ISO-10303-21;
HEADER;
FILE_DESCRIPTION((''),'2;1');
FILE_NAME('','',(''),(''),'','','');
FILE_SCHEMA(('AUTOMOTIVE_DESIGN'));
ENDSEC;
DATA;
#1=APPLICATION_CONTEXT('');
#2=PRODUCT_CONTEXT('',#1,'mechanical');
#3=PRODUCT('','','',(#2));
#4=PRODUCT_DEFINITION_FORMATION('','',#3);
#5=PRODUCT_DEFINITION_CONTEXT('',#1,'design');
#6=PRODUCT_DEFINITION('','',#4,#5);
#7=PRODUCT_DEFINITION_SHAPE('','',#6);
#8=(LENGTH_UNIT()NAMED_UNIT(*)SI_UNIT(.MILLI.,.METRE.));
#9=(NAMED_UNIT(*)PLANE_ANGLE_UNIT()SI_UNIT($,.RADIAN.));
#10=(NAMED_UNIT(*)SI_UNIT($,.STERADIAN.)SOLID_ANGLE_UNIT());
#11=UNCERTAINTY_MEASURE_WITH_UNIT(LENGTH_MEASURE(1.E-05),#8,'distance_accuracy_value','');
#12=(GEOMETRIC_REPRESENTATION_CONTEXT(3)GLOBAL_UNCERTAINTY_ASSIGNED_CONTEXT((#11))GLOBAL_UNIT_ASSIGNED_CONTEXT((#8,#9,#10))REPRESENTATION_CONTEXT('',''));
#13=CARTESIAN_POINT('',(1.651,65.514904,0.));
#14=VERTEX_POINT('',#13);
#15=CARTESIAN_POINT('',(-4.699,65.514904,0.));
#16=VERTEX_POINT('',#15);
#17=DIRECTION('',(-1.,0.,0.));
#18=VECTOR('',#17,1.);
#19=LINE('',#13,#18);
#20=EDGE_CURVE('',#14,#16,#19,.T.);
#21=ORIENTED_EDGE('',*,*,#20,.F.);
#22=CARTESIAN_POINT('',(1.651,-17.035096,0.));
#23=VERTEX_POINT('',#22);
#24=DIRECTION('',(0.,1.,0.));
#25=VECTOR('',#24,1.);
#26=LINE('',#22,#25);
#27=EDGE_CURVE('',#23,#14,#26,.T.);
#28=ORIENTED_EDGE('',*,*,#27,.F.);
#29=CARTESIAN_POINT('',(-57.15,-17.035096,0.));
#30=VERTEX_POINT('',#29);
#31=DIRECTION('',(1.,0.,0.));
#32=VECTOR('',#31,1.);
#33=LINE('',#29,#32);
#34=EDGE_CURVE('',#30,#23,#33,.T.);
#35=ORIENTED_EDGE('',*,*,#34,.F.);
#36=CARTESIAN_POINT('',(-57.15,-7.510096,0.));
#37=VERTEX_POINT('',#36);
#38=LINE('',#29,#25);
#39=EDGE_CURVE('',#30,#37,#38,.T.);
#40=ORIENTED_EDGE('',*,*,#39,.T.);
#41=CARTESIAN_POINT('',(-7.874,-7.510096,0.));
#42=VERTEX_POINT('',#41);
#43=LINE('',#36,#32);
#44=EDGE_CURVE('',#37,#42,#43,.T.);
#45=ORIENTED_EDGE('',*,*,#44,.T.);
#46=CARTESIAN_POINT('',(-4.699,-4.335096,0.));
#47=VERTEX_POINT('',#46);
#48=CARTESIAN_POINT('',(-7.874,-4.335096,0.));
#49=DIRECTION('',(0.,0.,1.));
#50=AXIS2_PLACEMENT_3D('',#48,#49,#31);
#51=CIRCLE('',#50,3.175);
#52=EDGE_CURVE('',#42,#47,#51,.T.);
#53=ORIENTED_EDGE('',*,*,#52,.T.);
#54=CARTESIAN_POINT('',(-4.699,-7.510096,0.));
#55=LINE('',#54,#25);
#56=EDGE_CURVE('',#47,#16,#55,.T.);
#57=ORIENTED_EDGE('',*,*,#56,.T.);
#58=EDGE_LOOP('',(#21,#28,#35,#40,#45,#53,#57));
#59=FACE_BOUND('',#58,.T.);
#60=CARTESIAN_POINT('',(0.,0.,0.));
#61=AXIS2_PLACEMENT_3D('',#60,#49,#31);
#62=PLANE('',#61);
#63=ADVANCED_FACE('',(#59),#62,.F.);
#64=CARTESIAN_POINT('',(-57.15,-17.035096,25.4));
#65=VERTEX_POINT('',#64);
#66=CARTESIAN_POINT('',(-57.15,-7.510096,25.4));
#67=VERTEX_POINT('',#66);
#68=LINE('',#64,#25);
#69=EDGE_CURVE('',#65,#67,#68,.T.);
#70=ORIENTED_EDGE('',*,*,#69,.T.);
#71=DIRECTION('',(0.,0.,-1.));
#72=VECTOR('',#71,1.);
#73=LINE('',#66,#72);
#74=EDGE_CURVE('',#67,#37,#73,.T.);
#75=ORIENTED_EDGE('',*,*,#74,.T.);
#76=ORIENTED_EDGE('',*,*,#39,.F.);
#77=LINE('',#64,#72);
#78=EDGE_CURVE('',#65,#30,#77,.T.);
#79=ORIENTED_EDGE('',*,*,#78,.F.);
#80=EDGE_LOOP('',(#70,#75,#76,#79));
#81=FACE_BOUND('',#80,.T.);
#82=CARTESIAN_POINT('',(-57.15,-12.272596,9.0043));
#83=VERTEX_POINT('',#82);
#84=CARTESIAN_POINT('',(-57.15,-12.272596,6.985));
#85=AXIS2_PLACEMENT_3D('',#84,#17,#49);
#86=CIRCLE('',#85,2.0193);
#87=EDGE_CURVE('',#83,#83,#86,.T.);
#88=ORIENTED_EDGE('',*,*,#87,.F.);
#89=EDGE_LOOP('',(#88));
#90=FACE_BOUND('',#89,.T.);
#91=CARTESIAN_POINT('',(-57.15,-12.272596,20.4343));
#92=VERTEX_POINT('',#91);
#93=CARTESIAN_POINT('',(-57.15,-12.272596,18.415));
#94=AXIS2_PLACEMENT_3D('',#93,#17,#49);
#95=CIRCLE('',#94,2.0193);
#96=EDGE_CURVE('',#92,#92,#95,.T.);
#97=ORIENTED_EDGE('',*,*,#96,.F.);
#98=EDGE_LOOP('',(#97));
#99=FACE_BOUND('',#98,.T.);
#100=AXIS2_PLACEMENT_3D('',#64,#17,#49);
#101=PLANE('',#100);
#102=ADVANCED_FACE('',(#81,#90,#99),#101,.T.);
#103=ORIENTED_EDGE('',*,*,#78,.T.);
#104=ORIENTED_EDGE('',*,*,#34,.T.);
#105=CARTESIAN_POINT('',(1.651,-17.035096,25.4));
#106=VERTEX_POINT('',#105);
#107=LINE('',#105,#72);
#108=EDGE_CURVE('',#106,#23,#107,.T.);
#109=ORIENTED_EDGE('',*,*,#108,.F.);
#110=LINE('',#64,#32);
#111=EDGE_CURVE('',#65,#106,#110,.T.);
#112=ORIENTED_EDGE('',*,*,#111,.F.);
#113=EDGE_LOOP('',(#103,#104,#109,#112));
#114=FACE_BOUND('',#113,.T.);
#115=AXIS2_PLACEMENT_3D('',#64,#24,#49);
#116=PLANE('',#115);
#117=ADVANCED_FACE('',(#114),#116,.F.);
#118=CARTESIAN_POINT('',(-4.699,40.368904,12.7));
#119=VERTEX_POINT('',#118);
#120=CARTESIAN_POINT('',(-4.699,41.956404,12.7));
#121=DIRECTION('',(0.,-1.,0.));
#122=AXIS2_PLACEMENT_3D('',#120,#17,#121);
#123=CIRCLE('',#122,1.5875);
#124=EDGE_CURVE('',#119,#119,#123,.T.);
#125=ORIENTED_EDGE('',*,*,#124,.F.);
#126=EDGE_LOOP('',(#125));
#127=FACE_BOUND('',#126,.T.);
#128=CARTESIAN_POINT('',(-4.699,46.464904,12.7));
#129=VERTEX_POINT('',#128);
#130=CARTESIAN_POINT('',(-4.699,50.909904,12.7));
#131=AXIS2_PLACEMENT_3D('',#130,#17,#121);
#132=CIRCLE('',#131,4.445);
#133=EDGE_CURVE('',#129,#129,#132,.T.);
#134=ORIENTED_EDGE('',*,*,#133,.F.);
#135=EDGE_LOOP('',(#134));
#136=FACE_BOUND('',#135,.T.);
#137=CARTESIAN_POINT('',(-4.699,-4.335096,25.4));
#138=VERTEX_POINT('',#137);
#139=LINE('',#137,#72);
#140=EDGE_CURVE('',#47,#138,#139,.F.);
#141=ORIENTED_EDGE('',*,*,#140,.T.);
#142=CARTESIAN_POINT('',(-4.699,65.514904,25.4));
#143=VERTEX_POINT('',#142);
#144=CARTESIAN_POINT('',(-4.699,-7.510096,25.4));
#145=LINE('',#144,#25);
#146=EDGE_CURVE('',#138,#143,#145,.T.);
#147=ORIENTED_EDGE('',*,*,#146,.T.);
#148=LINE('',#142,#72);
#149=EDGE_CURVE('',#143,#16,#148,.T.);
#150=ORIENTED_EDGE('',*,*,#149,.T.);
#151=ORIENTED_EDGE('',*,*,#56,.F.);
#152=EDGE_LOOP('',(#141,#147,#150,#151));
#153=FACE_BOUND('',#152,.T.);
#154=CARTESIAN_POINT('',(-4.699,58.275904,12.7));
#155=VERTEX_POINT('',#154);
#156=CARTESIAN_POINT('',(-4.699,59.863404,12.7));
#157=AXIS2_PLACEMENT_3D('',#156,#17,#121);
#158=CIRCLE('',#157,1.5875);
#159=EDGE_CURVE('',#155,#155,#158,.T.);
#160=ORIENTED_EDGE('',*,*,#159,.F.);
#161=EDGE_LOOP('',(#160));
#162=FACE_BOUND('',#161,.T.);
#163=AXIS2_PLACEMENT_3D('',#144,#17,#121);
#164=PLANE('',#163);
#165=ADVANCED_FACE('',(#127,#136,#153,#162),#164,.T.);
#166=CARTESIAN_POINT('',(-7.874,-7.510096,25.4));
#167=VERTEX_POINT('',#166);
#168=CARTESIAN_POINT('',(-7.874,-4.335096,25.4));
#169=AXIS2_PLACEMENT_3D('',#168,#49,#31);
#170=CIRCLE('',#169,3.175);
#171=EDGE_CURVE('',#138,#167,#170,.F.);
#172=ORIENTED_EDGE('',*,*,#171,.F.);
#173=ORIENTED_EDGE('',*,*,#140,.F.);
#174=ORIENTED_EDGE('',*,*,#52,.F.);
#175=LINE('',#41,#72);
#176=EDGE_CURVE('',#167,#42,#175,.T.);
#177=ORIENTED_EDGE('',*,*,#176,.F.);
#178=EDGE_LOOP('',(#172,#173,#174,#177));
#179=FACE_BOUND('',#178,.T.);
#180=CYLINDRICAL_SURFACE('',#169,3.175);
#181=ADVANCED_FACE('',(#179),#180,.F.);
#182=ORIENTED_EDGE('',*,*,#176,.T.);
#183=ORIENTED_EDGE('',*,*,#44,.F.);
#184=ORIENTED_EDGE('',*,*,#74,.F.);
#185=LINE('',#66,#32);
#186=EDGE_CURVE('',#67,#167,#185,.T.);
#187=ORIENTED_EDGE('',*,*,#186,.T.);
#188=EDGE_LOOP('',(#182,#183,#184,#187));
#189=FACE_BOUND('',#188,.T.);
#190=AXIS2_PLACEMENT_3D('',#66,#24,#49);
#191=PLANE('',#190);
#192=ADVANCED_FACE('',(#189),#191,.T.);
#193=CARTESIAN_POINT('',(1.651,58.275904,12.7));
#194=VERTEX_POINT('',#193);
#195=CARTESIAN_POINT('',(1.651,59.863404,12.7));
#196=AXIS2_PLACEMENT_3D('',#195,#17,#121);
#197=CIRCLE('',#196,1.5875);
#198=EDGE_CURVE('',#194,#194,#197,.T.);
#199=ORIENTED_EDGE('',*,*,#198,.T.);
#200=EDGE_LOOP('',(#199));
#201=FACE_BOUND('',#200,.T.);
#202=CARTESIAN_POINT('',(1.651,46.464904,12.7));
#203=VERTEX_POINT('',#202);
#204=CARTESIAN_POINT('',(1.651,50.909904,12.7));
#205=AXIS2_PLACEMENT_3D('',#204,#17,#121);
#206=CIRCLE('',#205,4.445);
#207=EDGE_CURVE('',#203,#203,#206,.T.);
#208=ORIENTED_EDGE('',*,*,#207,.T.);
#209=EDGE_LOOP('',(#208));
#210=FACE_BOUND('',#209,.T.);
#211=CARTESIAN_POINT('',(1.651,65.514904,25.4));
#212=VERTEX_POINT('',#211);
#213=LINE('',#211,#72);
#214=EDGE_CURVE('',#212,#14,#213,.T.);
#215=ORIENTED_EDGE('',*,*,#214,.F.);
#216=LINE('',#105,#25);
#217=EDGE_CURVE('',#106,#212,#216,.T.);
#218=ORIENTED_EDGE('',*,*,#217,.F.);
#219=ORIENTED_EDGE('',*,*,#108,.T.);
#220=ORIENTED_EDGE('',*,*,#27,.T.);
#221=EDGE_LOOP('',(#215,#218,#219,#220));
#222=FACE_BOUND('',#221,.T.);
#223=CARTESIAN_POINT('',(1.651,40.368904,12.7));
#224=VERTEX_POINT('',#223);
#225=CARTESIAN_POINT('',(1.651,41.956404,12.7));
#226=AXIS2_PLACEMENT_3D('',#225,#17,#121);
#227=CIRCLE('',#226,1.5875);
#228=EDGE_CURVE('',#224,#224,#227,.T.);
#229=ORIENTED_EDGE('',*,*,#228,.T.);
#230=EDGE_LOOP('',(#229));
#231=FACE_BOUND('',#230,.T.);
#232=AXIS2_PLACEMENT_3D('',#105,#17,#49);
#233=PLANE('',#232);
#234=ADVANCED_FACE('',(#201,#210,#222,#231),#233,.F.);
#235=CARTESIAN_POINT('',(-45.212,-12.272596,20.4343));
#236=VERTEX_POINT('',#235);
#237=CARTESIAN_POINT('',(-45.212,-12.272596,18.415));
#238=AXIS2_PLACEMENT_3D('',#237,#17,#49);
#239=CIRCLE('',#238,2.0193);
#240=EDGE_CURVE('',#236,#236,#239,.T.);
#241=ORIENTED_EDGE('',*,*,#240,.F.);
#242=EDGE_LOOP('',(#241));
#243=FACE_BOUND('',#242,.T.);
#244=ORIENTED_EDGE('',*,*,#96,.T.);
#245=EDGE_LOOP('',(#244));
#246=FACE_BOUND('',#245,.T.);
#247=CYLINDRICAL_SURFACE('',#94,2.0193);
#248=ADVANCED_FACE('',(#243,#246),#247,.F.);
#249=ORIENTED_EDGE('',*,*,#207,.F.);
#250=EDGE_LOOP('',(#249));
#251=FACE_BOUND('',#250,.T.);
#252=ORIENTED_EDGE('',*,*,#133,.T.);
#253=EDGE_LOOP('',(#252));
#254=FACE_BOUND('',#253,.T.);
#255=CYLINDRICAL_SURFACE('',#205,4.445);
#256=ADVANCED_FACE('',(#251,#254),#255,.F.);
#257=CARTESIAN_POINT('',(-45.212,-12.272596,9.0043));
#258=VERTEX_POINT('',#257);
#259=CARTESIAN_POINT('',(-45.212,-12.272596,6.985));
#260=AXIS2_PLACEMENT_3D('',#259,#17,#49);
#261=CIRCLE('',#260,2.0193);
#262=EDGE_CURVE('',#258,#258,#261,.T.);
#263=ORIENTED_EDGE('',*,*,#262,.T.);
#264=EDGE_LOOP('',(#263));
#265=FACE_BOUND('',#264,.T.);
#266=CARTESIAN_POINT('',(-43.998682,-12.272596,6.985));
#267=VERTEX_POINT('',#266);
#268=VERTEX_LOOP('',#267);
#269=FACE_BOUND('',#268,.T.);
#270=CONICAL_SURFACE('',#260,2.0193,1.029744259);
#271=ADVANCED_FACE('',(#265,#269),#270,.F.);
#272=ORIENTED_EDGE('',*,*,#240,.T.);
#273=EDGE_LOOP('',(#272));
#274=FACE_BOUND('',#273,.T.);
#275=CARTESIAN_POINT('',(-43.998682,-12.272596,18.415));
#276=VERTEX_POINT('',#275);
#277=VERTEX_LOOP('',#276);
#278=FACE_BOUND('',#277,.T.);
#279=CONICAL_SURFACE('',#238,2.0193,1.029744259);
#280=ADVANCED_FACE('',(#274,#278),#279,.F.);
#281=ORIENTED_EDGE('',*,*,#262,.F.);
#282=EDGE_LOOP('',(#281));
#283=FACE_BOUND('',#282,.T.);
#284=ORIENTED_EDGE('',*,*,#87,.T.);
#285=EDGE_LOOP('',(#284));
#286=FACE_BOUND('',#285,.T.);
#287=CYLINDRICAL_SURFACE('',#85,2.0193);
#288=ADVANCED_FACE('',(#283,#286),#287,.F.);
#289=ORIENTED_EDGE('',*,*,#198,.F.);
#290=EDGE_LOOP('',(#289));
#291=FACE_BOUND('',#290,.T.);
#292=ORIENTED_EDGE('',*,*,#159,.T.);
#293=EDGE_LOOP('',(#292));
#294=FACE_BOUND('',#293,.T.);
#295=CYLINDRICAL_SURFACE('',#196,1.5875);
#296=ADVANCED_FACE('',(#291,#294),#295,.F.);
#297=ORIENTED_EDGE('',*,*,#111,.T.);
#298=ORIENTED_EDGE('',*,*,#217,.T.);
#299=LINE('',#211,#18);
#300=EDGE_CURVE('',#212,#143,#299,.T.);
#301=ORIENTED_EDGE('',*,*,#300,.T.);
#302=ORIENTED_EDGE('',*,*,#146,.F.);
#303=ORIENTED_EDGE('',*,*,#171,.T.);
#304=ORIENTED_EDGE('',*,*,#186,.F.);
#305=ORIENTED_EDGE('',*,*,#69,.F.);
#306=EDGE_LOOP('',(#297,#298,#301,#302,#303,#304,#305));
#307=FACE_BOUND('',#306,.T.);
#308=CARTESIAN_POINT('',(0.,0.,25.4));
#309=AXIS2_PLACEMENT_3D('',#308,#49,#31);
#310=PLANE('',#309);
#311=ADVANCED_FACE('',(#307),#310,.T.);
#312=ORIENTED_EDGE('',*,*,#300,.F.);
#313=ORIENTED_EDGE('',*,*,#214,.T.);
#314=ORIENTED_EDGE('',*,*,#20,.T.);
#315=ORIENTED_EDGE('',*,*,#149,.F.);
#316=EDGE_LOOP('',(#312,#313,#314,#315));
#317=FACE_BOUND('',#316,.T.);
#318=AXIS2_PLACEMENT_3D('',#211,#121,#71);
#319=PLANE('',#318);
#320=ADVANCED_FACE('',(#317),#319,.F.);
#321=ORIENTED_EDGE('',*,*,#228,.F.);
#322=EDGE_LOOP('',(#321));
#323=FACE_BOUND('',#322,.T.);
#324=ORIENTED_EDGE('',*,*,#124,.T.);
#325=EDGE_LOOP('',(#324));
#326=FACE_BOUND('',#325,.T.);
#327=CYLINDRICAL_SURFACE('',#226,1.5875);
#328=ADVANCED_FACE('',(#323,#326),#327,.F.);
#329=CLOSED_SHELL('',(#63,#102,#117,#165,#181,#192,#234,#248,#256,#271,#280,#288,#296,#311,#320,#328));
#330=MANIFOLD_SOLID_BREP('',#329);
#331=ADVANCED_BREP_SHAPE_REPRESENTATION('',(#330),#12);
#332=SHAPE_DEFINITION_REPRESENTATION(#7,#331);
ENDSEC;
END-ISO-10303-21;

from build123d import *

# Parameters (mm, degrees)
BOSS_EXTRUDE1_DEPTH        = 25.4
SKETCH2_R                  = 4.445
SKETCH2_R_2                = 1.5875
CUT_EXTRUDE1_DEPTH         = 88.683921143
F_10_32_TAPPED_HOLE1_D     = 4.0386
F_10_32_TAPPED_HOLE1_DEPTH = 11.938
F_10_32_TAPPED_HOLE1_TIP   = 1.213317848
FILLET1_R                  = 3.175


with BuildPart() as part:
    # Sketch1 → Boss-Extrude1 (new body)
    with BuildSketch(Plane.XY):
        Polygon((-57.15, -17.035096154), (1.651, -17.035096154), (1.651, 65.514903846), (-4.699, 65.514903846), (-4.699, -7.510096154), (-57.15, -7.510096154), align=None)
    extrude(amount=BOSS_EXTRUDE1_DEPTH)

    # Sketch2 → Cut-Extrude1 (cut, through all)
    with BuildSketch(Plane.ZY.offset(4.699)):
        with Locations(Location((12.7, 50.909903846, 0), (0, 0, 270))):
            Circle(SKETCH2_R)
        with Locations(Location((12.7, 59.863403846, 0), (0, 0, 270))):
            Circle(SKETCH2_R_2)
        with Locations(Location((12.7, 41.956403846, 0), (0, 0, 270))):
            Circle(SKETCH2_R_2)
    extrude(amount=-CUT_EXTRUDE1_DEPTH, mode=Mode.SUBTRACT)

    # #10-32 Tapped Hole1
    with Locations(Plane.ZY.offset(57.15)):
        with Locations((6.985, -12.272596154), (18.415, -12.272596154)):
            Hole(F_10_32_TAPPED_HOLE1_D / 2, depth=F_10_32_TAPPED_HOLE1_DEPTH)
            with Locations((0, 0, -(F_10_32_TAPPED_HOLE1_DEPTH + F_10_32_TAPPED_HOLE1_TIP / 2))):  # 118° drill point
                Cone(0, F_10_32_TAPPED_HOLE1_D / 2, F_10_32_TAPPED_HOLE1_TIP, mode=Mode.SUBTRACT)

    # Fillet1
    fillet1_edges = [part.edges().sort_by_distance(p)[0] for p in [
        (-4.699, -7.510096154, 12.7),
    ]]
    fillet(fillet1_edges, radius=FILLET1_R)


solid = part.part
